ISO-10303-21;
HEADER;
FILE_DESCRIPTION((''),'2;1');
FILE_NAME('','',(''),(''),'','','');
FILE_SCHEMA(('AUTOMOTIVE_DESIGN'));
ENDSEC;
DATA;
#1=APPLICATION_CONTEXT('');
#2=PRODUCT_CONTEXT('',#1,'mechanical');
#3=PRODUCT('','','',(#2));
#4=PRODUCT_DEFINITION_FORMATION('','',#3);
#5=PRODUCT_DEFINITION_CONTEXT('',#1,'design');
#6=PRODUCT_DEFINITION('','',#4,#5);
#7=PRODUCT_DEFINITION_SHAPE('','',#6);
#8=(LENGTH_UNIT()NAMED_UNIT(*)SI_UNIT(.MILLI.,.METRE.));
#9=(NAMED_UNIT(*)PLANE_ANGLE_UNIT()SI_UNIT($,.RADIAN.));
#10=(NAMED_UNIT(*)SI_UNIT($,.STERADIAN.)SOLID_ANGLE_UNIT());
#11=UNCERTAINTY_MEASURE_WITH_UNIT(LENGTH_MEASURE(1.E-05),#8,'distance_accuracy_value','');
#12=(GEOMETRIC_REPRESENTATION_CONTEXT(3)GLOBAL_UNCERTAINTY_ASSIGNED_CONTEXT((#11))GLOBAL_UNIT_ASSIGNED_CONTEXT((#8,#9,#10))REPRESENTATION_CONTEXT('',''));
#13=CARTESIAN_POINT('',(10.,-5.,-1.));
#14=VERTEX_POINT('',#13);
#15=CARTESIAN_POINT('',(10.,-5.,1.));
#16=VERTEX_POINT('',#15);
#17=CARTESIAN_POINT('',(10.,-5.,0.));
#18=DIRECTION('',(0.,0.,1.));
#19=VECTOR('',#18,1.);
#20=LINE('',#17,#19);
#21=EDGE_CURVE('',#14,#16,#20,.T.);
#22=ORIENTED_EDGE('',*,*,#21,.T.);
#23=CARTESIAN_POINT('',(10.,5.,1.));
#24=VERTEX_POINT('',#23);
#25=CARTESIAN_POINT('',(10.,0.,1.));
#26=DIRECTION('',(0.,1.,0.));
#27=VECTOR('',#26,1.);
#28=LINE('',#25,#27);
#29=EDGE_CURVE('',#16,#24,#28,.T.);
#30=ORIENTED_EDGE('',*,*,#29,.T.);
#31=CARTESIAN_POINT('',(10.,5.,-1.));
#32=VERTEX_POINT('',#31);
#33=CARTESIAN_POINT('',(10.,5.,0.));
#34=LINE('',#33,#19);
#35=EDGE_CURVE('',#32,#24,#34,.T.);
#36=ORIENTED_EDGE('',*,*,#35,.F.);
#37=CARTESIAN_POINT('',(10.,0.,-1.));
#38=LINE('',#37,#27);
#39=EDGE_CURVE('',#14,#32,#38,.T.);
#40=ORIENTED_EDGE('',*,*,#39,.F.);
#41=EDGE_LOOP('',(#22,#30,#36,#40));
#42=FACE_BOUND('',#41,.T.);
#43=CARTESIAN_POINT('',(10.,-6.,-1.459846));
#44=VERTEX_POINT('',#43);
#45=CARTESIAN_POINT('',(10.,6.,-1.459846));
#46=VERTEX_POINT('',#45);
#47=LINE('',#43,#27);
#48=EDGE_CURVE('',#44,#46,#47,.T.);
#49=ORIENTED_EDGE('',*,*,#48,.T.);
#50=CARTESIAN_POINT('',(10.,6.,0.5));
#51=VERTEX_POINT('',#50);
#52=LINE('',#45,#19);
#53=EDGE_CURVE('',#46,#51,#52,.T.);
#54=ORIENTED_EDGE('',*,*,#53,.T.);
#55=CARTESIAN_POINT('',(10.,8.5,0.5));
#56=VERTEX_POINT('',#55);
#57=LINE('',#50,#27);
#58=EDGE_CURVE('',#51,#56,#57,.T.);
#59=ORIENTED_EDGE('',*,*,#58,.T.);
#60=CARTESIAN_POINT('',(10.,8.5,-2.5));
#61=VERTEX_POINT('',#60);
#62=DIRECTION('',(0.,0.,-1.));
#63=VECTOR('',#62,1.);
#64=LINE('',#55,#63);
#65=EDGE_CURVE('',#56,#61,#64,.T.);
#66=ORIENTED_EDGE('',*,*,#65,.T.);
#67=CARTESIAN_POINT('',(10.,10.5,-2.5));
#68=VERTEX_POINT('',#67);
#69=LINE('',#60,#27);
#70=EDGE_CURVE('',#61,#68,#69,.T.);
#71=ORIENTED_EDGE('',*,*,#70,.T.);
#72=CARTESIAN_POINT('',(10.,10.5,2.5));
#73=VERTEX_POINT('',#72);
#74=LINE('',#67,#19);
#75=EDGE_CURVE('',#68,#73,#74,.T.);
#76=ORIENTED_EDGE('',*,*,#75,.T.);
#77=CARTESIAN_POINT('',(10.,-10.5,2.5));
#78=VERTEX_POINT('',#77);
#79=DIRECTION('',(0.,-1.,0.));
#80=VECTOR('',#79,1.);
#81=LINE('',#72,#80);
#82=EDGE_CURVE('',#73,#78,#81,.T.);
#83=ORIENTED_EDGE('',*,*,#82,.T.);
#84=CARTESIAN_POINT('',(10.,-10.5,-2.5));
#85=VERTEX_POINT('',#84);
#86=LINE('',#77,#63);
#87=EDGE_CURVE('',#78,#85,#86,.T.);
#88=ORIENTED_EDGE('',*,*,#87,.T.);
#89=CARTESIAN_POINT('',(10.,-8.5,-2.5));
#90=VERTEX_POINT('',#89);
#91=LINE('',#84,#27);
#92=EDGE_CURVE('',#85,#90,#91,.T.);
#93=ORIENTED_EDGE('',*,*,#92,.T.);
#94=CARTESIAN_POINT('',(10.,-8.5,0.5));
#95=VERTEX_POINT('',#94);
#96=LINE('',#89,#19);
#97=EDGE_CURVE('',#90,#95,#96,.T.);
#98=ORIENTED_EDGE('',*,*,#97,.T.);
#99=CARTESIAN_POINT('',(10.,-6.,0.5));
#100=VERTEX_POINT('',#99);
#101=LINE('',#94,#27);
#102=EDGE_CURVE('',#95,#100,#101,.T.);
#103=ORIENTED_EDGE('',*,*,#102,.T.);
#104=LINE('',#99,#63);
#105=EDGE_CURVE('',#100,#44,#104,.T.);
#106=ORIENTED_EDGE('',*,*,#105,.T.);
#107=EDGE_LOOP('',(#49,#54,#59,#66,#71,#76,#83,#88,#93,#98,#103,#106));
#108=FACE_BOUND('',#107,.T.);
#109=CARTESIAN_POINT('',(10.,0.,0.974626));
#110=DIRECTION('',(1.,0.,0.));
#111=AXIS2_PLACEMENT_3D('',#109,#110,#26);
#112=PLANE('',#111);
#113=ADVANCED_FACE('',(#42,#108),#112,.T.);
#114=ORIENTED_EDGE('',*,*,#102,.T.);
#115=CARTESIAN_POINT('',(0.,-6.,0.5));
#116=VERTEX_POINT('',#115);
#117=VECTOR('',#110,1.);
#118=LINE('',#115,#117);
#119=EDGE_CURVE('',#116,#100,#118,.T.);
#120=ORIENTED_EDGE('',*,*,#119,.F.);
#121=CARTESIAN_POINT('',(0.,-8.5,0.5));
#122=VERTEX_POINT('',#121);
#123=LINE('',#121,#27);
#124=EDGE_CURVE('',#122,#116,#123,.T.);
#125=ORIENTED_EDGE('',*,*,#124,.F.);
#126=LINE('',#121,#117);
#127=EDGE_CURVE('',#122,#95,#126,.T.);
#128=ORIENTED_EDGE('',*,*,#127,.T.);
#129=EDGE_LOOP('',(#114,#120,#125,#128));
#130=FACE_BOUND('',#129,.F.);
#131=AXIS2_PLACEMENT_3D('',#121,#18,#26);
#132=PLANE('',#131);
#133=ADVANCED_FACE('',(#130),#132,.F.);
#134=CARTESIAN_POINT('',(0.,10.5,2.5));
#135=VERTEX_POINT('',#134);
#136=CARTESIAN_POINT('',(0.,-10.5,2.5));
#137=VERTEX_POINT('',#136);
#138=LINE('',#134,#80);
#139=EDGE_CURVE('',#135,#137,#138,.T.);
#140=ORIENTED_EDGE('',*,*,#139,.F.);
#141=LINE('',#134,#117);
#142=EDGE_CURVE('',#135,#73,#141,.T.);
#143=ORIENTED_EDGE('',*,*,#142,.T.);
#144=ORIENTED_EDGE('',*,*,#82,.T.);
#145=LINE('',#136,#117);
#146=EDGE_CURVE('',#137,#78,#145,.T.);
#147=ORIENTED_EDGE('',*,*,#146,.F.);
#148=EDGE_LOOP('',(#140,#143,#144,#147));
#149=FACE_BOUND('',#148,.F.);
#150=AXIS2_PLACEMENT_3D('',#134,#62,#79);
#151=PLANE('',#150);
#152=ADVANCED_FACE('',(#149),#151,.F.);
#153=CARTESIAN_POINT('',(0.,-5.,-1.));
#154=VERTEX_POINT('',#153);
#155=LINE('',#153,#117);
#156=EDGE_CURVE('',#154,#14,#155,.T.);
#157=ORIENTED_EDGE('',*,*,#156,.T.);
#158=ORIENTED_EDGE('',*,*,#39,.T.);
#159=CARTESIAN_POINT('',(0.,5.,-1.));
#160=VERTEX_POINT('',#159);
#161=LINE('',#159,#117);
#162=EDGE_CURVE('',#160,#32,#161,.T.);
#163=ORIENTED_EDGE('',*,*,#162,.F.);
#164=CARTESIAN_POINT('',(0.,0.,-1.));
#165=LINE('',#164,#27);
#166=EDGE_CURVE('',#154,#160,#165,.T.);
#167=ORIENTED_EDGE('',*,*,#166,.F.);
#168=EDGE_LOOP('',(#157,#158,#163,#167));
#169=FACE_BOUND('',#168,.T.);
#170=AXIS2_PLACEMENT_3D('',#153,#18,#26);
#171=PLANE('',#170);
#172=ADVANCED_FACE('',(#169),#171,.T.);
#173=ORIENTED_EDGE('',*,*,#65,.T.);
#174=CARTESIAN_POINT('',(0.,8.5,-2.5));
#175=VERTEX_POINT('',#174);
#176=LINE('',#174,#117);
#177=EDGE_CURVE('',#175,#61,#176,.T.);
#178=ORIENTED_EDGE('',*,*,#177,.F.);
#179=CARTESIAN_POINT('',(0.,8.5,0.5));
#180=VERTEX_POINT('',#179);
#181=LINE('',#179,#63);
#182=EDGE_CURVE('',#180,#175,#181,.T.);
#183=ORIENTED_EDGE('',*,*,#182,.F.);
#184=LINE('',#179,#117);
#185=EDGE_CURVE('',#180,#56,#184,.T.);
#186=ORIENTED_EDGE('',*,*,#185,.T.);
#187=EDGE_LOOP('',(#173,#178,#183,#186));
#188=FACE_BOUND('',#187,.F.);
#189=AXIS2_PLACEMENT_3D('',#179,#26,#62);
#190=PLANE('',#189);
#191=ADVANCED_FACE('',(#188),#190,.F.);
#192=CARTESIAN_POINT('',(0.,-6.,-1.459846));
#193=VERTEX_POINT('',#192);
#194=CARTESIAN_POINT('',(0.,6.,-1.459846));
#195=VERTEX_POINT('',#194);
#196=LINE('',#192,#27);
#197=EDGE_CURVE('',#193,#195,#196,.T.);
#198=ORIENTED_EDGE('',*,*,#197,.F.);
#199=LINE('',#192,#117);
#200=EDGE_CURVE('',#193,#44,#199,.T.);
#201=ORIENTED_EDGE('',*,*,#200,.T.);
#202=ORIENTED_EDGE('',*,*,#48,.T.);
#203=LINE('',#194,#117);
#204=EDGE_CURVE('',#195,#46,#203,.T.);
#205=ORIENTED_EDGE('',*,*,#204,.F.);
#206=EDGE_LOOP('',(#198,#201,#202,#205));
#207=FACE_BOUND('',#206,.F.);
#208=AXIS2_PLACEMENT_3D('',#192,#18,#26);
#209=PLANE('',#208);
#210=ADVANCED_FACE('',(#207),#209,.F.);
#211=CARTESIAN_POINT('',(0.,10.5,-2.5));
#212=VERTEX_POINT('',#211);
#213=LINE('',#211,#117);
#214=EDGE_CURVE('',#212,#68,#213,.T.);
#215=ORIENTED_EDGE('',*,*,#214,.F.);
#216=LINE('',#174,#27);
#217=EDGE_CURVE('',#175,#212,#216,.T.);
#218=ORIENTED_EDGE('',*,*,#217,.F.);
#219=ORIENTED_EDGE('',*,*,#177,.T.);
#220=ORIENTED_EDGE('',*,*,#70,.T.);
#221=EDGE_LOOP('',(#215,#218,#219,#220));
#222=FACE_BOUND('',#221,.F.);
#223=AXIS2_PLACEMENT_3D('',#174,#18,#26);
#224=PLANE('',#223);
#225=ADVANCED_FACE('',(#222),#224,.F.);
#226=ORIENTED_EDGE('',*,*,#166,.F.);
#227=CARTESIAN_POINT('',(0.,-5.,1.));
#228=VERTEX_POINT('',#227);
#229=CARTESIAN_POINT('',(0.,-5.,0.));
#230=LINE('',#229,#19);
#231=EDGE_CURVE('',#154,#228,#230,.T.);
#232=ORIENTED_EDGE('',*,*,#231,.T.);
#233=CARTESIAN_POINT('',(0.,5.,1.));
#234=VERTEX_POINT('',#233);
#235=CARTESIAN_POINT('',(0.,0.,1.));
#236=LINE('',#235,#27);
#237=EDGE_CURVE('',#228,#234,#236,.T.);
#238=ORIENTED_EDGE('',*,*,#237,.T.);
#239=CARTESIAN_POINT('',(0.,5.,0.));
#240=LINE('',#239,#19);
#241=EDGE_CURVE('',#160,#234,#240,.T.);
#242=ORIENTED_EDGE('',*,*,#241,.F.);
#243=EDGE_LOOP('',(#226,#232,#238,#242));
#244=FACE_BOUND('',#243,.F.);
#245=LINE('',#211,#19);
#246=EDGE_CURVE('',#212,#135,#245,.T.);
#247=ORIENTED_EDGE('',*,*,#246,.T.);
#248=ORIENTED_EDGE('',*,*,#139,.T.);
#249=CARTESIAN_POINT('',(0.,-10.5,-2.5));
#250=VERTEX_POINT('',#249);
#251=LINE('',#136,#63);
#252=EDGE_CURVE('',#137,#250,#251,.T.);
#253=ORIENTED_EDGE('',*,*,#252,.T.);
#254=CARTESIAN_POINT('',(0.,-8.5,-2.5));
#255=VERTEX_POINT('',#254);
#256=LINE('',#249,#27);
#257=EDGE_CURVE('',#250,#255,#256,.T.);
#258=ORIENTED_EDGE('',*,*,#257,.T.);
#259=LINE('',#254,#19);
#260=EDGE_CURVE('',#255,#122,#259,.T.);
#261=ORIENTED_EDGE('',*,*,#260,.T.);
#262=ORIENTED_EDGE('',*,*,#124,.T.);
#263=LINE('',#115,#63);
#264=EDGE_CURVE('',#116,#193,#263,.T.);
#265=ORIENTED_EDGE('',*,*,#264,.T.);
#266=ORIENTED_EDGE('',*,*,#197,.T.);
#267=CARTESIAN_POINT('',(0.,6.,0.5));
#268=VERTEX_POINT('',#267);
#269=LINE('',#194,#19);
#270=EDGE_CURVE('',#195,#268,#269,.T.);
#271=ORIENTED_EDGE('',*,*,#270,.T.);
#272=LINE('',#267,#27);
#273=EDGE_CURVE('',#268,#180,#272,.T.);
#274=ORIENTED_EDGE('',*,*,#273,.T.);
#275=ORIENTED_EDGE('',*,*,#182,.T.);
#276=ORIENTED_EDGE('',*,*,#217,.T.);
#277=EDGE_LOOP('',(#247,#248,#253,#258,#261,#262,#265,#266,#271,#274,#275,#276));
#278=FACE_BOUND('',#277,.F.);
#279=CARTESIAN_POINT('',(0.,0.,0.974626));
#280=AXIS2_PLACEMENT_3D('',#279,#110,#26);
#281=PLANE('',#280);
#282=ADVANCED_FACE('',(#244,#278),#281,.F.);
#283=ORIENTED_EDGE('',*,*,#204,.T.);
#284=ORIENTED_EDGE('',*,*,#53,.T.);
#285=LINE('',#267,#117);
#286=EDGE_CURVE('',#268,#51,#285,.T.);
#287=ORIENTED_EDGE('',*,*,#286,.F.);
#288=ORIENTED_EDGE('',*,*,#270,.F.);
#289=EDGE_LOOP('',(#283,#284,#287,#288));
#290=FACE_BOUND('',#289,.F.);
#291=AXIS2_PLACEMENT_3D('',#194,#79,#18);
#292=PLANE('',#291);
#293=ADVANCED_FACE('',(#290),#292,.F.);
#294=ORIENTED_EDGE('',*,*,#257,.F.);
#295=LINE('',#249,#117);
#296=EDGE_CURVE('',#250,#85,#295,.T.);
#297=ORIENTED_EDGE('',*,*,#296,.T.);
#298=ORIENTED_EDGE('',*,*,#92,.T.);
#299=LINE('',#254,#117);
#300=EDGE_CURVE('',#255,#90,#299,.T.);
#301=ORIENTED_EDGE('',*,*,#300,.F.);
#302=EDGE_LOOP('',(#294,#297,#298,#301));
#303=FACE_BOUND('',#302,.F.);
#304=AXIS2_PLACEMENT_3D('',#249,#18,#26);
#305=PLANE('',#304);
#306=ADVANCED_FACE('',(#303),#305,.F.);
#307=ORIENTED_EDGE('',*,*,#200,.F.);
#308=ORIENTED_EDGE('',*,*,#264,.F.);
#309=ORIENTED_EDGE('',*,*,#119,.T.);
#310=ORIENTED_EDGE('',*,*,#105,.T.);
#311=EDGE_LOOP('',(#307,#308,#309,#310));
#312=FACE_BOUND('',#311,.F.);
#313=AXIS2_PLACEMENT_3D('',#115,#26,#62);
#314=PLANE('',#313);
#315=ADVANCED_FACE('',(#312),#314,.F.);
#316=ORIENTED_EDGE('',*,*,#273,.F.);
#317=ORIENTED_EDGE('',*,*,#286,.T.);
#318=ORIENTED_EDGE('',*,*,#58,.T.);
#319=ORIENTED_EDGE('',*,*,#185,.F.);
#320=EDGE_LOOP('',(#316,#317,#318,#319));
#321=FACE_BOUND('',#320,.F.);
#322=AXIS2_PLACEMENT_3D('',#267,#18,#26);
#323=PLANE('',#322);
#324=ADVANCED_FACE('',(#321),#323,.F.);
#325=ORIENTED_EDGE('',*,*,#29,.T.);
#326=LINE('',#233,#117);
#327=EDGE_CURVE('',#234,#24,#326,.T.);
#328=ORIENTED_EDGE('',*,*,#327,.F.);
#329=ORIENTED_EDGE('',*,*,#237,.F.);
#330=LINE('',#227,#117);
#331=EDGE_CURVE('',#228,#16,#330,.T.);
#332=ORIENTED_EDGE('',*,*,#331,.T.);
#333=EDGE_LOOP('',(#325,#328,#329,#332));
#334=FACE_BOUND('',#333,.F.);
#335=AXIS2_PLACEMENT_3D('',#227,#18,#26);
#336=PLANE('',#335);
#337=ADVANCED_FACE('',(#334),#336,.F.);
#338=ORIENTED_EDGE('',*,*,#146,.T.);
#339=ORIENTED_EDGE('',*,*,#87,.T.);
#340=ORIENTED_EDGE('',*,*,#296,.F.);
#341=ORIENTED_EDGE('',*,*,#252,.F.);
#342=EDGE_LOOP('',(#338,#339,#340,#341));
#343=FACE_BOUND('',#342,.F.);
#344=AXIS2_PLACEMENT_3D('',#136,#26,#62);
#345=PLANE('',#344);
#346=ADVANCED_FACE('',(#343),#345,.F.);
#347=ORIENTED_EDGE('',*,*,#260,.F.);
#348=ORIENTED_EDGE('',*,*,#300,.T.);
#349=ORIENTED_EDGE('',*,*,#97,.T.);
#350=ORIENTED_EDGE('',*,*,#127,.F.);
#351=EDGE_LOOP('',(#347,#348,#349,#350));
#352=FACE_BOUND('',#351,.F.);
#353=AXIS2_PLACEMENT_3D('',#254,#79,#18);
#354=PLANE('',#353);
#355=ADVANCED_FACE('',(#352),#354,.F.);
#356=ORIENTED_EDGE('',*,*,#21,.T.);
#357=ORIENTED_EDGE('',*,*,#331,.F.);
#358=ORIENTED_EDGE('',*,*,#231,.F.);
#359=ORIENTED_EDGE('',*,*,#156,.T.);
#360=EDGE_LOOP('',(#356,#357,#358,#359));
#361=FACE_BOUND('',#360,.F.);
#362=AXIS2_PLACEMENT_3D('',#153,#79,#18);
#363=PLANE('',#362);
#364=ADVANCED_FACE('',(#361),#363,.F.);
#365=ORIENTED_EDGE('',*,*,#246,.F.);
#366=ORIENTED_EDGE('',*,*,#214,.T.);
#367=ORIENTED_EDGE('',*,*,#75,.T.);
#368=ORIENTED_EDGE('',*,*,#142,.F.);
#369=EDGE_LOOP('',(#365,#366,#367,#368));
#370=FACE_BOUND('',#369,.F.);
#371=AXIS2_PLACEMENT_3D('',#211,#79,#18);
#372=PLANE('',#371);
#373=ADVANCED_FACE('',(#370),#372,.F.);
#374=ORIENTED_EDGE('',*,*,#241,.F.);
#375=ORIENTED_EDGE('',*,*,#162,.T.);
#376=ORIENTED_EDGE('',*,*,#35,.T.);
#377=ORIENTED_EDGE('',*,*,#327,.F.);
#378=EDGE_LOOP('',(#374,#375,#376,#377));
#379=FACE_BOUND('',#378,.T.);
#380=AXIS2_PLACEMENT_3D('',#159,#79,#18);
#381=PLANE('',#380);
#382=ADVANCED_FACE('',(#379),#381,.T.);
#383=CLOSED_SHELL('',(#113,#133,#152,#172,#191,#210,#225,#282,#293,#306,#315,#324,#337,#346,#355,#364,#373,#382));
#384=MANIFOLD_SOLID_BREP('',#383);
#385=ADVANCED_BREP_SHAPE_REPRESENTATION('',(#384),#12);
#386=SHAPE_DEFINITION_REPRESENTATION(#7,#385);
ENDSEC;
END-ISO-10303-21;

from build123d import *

# Parameters (mm, degrees)
F0_W     = 10
F0_H     = 2
F1_DEPTH = 10


with BuildPart() as f1:
    # F0 (on Right) → F1 (new body)
    with BuildSketch(Plane.YZ):
        Polygon((10.5, -2.5), (10.5, 2.5), (-10.5, 2.5), (-10.5, -2.5), (-8.5, -2.5), (-8.5, 0.5), (-6, 0.5), (-6, 1.459846), (6, 1.459846), (6, 0.5), (8.5, 0.5), (8.5, -2.5), align=None)
        Polygon((6, -1.459846), (6, 0.5), (6, 1.459846), (-6, 1.459846), (-6, 0.5), (-6, -1.459846), align=None)
        Rectangle(F0_W, F0_H, mode=Mode.SUBTRACT)
    extrude(amount=F1_DEPTH)


solid = f1.part
